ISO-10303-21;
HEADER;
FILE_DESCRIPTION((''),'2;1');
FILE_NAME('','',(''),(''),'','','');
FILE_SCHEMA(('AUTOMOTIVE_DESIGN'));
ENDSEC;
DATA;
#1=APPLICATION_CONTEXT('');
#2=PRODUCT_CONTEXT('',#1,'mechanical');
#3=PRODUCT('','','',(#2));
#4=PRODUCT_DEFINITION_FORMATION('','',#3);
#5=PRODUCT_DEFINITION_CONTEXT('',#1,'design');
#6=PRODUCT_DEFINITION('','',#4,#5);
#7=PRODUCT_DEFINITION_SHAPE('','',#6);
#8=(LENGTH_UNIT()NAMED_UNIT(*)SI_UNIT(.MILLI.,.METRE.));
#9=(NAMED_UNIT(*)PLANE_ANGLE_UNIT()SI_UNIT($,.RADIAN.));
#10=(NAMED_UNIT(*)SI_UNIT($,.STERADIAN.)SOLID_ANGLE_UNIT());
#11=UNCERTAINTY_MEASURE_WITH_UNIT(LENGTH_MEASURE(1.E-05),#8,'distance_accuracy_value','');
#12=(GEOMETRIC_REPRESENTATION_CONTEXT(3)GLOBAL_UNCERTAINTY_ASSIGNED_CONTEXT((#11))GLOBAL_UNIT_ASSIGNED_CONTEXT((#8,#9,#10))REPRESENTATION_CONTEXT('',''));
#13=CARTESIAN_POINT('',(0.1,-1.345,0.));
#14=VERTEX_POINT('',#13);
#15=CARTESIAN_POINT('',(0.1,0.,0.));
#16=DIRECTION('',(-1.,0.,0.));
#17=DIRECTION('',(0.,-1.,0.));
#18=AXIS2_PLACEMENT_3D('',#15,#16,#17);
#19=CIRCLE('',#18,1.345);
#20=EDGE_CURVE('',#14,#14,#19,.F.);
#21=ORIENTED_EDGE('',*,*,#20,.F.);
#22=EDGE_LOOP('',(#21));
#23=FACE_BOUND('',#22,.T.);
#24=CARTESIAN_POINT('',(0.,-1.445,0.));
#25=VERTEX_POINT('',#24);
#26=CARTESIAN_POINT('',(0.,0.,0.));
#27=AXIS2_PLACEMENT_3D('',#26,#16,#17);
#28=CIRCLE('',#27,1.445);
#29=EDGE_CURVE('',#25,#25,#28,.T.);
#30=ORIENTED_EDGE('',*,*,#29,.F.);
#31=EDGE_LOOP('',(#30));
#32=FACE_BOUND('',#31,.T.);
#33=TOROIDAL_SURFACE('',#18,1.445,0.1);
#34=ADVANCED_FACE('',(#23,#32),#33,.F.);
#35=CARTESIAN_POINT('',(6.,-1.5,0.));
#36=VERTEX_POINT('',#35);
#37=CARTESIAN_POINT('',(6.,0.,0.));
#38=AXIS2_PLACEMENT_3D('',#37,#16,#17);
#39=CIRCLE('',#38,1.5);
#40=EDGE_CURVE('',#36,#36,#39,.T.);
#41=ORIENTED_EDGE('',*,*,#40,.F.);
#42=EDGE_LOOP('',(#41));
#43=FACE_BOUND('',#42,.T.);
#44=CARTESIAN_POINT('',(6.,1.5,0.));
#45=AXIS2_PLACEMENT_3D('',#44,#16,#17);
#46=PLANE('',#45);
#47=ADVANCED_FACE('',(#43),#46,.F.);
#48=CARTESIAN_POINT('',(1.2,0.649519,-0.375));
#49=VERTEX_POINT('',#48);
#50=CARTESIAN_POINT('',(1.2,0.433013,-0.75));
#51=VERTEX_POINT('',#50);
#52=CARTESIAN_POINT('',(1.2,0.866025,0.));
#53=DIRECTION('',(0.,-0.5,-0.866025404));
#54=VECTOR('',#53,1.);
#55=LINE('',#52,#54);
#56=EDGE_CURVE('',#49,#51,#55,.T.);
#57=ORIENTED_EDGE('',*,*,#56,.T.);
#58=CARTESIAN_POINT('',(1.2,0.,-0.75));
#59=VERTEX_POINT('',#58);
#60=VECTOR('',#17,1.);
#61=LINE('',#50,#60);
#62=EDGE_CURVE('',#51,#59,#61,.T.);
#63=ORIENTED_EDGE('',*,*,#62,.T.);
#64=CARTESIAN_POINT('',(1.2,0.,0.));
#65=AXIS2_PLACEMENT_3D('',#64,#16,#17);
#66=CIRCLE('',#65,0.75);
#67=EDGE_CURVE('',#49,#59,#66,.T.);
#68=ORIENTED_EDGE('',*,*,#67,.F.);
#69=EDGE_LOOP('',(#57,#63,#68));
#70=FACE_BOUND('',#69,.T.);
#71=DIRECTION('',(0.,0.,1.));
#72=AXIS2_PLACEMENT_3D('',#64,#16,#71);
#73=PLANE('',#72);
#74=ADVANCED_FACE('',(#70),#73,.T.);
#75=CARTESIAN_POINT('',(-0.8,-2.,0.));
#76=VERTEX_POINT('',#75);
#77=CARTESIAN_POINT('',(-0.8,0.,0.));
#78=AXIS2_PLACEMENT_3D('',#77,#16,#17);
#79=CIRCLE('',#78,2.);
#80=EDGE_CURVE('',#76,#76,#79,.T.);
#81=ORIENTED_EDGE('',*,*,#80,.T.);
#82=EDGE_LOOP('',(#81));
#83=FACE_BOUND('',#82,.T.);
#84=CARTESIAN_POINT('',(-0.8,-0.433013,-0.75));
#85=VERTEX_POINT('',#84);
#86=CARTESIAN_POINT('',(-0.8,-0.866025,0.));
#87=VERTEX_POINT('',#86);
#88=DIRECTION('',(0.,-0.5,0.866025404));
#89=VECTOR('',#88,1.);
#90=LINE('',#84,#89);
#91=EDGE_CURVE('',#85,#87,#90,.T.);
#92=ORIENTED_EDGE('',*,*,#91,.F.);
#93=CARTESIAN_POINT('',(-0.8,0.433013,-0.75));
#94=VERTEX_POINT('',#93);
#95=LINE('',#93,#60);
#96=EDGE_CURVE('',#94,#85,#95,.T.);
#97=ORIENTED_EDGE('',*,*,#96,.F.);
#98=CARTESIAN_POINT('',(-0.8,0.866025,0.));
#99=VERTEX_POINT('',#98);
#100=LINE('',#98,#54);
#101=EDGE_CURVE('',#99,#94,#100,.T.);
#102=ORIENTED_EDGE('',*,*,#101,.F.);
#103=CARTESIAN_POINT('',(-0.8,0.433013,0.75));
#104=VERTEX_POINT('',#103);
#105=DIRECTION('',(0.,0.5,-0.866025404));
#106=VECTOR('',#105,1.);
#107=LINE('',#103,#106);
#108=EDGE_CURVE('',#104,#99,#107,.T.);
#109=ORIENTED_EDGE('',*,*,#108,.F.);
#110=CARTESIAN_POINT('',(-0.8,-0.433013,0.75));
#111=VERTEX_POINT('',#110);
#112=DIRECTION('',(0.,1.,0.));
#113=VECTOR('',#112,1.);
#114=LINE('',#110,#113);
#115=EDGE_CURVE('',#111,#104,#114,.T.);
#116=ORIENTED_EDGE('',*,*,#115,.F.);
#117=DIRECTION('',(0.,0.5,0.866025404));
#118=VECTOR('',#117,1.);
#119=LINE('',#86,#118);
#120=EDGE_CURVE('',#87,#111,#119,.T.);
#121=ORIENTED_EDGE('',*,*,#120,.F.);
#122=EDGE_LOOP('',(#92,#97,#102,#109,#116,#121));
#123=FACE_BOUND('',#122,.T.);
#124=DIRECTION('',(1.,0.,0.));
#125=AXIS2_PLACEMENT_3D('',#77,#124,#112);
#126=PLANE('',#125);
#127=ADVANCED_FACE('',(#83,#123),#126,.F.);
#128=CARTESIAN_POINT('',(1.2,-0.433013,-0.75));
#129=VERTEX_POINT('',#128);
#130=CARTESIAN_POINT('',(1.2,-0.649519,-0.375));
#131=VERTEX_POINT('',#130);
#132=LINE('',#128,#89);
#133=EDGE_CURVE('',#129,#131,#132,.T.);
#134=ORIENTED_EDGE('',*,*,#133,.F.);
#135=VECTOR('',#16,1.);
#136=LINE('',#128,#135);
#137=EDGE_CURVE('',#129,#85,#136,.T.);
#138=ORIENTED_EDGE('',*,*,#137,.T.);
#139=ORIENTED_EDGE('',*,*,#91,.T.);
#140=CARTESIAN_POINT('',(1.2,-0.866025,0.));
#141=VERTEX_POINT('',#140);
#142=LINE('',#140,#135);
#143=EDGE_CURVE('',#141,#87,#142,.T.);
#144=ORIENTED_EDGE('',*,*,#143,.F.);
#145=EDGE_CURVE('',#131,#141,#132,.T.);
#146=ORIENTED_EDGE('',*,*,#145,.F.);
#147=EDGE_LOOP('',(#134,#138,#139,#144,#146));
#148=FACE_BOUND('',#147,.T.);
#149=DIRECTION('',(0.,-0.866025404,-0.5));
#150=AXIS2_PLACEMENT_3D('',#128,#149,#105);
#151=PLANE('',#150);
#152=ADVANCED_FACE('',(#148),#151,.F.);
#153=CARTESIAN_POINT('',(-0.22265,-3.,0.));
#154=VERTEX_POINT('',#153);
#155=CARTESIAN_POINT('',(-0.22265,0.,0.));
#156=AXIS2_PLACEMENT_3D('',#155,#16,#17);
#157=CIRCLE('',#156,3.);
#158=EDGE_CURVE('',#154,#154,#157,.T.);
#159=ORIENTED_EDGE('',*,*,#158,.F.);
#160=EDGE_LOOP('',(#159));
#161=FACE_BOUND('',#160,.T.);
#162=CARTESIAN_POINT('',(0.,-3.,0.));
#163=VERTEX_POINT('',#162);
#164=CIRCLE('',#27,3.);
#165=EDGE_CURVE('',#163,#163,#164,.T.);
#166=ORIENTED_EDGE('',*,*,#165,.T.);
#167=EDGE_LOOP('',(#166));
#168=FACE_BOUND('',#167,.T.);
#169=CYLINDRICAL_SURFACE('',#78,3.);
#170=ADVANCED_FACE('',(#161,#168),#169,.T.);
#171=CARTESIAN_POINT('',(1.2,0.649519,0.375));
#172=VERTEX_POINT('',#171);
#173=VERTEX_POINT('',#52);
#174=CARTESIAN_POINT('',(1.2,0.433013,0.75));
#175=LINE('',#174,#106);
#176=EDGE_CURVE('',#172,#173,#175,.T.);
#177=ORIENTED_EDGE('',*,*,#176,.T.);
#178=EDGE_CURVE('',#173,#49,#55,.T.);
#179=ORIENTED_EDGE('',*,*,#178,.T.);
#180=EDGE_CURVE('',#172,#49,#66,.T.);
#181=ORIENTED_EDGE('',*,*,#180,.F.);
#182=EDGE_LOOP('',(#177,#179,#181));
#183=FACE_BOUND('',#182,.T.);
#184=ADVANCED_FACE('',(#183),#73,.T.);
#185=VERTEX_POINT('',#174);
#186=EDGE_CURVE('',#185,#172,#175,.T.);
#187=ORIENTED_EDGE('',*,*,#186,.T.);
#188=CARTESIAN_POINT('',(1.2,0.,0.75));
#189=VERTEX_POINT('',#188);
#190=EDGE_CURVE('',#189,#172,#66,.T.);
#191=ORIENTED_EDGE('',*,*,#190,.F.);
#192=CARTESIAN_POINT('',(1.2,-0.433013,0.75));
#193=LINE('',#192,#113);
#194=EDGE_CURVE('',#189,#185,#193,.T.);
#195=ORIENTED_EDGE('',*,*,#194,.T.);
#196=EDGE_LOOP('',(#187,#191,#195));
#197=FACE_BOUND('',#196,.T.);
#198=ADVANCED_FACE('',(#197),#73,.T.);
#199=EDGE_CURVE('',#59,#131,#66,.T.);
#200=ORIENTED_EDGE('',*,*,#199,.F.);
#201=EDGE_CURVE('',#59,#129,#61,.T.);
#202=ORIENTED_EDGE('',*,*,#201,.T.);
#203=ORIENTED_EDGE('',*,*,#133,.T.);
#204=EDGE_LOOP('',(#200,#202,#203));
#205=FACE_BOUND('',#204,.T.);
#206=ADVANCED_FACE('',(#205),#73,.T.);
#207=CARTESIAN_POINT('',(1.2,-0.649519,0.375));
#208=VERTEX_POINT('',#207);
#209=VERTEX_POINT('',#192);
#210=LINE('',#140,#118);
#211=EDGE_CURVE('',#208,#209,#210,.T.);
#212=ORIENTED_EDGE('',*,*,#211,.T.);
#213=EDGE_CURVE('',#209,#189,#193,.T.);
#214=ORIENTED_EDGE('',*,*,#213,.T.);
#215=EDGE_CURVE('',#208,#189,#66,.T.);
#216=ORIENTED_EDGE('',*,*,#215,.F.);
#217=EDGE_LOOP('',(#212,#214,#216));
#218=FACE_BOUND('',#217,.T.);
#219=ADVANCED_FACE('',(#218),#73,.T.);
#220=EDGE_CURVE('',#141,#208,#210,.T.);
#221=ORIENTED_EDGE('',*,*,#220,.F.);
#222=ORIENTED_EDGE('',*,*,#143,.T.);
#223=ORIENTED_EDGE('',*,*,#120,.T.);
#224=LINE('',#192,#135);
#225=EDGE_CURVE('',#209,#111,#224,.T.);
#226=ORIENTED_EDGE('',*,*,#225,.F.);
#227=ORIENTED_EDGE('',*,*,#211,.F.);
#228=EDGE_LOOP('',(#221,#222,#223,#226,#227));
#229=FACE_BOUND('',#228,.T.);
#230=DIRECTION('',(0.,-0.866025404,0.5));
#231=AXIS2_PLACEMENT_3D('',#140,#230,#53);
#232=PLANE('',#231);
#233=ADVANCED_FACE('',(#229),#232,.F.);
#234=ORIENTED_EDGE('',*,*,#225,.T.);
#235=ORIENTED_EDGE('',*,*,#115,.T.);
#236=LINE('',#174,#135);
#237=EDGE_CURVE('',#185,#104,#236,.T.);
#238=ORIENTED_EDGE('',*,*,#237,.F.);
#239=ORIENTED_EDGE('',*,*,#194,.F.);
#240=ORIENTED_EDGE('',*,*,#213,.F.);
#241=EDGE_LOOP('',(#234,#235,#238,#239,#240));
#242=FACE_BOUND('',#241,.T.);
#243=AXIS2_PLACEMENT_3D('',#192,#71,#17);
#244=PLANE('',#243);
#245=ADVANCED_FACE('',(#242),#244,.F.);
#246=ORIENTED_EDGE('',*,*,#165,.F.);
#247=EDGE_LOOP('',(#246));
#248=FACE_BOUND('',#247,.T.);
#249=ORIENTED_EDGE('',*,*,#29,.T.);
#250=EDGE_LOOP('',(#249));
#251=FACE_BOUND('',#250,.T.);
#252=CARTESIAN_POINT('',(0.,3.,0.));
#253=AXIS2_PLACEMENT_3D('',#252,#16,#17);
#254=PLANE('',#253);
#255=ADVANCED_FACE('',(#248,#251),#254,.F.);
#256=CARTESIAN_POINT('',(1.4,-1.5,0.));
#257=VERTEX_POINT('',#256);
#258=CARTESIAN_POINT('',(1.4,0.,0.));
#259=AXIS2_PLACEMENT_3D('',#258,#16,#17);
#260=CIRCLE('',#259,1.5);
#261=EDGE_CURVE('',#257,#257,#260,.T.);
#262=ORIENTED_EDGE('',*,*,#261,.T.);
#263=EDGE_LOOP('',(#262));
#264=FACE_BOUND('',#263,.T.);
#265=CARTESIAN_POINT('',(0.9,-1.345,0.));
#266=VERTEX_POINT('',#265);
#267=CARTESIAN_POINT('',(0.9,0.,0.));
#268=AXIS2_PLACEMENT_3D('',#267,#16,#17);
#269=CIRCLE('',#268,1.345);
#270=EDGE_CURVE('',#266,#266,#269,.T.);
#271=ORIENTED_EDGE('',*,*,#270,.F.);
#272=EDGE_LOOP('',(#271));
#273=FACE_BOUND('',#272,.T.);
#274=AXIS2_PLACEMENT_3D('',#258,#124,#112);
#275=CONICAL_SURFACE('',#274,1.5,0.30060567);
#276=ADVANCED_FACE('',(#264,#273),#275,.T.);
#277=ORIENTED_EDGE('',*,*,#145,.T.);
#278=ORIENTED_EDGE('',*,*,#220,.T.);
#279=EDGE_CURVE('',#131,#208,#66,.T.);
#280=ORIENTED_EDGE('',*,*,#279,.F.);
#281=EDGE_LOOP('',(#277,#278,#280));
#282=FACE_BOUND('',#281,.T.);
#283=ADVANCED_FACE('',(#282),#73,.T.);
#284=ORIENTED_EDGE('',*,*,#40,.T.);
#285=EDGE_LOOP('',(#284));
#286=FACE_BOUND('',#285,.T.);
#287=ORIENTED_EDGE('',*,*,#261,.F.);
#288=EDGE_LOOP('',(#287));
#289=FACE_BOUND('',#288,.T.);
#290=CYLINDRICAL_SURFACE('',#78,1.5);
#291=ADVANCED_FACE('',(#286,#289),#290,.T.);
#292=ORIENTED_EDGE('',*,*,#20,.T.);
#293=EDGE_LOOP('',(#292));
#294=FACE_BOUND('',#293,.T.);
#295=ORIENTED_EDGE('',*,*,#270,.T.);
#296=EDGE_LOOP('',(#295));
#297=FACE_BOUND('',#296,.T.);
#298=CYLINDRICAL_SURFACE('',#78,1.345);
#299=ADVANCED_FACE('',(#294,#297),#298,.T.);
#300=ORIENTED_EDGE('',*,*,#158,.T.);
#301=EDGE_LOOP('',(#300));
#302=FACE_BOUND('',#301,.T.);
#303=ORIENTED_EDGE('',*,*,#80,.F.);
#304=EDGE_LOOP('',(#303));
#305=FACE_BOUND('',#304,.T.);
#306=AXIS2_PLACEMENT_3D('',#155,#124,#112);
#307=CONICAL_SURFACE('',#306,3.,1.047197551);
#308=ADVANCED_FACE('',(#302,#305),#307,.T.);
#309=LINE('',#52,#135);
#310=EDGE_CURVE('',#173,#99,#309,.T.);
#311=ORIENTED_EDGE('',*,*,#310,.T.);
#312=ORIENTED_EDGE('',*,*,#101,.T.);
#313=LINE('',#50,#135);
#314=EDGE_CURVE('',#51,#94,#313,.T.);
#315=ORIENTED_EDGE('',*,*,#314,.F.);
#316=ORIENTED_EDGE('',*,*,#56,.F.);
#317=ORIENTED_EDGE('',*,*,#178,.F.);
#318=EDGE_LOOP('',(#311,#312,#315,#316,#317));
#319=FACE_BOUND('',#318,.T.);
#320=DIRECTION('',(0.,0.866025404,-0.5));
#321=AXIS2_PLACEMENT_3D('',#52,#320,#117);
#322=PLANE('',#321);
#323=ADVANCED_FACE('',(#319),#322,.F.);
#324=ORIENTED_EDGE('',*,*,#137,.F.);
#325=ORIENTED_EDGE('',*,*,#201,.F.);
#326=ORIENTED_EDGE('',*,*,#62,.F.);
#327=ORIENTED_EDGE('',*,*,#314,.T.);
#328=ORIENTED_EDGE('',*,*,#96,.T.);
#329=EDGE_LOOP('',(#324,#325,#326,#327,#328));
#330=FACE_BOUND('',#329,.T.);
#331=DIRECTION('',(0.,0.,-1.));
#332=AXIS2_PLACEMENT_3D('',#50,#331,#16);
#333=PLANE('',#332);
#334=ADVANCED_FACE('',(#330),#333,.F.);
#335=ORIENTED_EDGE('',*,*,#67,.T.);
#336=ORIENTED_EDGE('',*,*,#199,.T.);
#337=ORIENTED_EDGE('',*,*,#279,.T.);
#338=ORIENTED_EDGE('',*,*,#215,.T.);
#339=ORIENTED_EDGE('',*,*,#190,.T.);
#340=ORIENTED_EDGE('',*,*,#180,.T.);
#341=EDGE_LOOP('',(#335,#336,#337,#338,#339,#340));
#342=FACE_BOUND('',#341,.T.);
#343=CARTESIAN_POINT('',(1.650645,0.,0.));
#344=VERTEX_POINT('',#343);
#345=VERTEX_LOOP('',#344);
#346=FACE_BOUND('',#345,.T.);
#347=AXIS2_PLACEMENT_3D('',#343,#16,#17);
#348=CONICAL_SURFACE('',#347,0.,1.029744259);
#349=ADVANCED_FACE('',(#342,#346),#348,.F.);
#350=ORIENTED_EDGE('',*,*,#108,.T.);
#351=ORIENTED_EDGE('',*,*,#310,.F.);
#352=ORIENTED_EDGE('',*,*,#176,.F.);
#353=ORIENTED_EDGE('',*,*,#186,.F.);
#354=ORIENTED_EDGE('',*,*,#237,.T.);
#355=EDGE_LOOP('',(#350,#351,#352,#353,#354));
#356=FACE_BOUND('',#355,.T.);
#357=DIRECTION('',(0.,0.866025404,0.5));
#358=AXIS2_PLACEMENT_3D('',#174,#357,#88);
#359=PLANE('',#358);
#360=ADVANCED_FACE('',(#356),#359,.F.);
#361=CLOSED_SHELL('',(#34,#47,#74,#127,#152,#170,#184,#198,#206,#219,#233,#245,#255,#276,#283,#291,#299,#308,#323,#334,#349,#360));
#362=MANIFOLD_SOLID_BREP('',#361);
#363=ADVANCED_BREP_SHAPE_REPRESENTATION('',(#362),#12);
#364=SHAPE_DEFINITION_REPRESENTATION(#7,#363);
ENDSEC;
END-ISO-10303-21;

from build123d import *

# Parameters (mm, degrees)
FILLET1_R          = 0.1
CUT_EXTRUDE1_DEPTH = 2


with BuildPart() as part:
    # Sketch1 → Revolve1 (revolve)
    with BuildSketch(Plane.XY):
        Polygon((-0.8, 0), (-0.8, 2), (-0.222649731, 3), (0, 3), (0, 1.345), (0.9, 1.345), (1.4, 1.5), (6, 1.5), (6, 0), align=None)
    revolve(axis=Axis((-0.8, 0, 0), (1, 0, 0)))

    # Fillet1
    fillet1_edges = [part.edges().sort_by_distance(p)[0] for p in [
        (0, -1.345, 0),
    ]]
    fillet(fillet1_edges, radius=FILLET1_R)

    # Sketch2 → Cut-Extrude1 (cut)
    with BuildSketch(Plane.ZY.offset(0.8)):
        Polygon((0, 0.866025404), (-0.75, 0.433012702), (-0.75, -0.433012702), (0, -0.866025404), (0.75, -0.433012702), (0.75, 0.433012702), align=None)
    extrude(amount=-CUT_EXTRUDE1_DEPTH, mode=Mode.SUBTRACT)

    # Sketch3 → Cut-Revolve1 (revolve, cut)
    with BuildSketch(Plane.XY):
        Polygon((1.2, 0), (1.2, 0.75), (1.650645464, 0), align=None)
    revolve(axis=Axis((1.2, 0, 0), (1, 0, 0)), mode=Mode.SUBTRACT)


solid = part.part
